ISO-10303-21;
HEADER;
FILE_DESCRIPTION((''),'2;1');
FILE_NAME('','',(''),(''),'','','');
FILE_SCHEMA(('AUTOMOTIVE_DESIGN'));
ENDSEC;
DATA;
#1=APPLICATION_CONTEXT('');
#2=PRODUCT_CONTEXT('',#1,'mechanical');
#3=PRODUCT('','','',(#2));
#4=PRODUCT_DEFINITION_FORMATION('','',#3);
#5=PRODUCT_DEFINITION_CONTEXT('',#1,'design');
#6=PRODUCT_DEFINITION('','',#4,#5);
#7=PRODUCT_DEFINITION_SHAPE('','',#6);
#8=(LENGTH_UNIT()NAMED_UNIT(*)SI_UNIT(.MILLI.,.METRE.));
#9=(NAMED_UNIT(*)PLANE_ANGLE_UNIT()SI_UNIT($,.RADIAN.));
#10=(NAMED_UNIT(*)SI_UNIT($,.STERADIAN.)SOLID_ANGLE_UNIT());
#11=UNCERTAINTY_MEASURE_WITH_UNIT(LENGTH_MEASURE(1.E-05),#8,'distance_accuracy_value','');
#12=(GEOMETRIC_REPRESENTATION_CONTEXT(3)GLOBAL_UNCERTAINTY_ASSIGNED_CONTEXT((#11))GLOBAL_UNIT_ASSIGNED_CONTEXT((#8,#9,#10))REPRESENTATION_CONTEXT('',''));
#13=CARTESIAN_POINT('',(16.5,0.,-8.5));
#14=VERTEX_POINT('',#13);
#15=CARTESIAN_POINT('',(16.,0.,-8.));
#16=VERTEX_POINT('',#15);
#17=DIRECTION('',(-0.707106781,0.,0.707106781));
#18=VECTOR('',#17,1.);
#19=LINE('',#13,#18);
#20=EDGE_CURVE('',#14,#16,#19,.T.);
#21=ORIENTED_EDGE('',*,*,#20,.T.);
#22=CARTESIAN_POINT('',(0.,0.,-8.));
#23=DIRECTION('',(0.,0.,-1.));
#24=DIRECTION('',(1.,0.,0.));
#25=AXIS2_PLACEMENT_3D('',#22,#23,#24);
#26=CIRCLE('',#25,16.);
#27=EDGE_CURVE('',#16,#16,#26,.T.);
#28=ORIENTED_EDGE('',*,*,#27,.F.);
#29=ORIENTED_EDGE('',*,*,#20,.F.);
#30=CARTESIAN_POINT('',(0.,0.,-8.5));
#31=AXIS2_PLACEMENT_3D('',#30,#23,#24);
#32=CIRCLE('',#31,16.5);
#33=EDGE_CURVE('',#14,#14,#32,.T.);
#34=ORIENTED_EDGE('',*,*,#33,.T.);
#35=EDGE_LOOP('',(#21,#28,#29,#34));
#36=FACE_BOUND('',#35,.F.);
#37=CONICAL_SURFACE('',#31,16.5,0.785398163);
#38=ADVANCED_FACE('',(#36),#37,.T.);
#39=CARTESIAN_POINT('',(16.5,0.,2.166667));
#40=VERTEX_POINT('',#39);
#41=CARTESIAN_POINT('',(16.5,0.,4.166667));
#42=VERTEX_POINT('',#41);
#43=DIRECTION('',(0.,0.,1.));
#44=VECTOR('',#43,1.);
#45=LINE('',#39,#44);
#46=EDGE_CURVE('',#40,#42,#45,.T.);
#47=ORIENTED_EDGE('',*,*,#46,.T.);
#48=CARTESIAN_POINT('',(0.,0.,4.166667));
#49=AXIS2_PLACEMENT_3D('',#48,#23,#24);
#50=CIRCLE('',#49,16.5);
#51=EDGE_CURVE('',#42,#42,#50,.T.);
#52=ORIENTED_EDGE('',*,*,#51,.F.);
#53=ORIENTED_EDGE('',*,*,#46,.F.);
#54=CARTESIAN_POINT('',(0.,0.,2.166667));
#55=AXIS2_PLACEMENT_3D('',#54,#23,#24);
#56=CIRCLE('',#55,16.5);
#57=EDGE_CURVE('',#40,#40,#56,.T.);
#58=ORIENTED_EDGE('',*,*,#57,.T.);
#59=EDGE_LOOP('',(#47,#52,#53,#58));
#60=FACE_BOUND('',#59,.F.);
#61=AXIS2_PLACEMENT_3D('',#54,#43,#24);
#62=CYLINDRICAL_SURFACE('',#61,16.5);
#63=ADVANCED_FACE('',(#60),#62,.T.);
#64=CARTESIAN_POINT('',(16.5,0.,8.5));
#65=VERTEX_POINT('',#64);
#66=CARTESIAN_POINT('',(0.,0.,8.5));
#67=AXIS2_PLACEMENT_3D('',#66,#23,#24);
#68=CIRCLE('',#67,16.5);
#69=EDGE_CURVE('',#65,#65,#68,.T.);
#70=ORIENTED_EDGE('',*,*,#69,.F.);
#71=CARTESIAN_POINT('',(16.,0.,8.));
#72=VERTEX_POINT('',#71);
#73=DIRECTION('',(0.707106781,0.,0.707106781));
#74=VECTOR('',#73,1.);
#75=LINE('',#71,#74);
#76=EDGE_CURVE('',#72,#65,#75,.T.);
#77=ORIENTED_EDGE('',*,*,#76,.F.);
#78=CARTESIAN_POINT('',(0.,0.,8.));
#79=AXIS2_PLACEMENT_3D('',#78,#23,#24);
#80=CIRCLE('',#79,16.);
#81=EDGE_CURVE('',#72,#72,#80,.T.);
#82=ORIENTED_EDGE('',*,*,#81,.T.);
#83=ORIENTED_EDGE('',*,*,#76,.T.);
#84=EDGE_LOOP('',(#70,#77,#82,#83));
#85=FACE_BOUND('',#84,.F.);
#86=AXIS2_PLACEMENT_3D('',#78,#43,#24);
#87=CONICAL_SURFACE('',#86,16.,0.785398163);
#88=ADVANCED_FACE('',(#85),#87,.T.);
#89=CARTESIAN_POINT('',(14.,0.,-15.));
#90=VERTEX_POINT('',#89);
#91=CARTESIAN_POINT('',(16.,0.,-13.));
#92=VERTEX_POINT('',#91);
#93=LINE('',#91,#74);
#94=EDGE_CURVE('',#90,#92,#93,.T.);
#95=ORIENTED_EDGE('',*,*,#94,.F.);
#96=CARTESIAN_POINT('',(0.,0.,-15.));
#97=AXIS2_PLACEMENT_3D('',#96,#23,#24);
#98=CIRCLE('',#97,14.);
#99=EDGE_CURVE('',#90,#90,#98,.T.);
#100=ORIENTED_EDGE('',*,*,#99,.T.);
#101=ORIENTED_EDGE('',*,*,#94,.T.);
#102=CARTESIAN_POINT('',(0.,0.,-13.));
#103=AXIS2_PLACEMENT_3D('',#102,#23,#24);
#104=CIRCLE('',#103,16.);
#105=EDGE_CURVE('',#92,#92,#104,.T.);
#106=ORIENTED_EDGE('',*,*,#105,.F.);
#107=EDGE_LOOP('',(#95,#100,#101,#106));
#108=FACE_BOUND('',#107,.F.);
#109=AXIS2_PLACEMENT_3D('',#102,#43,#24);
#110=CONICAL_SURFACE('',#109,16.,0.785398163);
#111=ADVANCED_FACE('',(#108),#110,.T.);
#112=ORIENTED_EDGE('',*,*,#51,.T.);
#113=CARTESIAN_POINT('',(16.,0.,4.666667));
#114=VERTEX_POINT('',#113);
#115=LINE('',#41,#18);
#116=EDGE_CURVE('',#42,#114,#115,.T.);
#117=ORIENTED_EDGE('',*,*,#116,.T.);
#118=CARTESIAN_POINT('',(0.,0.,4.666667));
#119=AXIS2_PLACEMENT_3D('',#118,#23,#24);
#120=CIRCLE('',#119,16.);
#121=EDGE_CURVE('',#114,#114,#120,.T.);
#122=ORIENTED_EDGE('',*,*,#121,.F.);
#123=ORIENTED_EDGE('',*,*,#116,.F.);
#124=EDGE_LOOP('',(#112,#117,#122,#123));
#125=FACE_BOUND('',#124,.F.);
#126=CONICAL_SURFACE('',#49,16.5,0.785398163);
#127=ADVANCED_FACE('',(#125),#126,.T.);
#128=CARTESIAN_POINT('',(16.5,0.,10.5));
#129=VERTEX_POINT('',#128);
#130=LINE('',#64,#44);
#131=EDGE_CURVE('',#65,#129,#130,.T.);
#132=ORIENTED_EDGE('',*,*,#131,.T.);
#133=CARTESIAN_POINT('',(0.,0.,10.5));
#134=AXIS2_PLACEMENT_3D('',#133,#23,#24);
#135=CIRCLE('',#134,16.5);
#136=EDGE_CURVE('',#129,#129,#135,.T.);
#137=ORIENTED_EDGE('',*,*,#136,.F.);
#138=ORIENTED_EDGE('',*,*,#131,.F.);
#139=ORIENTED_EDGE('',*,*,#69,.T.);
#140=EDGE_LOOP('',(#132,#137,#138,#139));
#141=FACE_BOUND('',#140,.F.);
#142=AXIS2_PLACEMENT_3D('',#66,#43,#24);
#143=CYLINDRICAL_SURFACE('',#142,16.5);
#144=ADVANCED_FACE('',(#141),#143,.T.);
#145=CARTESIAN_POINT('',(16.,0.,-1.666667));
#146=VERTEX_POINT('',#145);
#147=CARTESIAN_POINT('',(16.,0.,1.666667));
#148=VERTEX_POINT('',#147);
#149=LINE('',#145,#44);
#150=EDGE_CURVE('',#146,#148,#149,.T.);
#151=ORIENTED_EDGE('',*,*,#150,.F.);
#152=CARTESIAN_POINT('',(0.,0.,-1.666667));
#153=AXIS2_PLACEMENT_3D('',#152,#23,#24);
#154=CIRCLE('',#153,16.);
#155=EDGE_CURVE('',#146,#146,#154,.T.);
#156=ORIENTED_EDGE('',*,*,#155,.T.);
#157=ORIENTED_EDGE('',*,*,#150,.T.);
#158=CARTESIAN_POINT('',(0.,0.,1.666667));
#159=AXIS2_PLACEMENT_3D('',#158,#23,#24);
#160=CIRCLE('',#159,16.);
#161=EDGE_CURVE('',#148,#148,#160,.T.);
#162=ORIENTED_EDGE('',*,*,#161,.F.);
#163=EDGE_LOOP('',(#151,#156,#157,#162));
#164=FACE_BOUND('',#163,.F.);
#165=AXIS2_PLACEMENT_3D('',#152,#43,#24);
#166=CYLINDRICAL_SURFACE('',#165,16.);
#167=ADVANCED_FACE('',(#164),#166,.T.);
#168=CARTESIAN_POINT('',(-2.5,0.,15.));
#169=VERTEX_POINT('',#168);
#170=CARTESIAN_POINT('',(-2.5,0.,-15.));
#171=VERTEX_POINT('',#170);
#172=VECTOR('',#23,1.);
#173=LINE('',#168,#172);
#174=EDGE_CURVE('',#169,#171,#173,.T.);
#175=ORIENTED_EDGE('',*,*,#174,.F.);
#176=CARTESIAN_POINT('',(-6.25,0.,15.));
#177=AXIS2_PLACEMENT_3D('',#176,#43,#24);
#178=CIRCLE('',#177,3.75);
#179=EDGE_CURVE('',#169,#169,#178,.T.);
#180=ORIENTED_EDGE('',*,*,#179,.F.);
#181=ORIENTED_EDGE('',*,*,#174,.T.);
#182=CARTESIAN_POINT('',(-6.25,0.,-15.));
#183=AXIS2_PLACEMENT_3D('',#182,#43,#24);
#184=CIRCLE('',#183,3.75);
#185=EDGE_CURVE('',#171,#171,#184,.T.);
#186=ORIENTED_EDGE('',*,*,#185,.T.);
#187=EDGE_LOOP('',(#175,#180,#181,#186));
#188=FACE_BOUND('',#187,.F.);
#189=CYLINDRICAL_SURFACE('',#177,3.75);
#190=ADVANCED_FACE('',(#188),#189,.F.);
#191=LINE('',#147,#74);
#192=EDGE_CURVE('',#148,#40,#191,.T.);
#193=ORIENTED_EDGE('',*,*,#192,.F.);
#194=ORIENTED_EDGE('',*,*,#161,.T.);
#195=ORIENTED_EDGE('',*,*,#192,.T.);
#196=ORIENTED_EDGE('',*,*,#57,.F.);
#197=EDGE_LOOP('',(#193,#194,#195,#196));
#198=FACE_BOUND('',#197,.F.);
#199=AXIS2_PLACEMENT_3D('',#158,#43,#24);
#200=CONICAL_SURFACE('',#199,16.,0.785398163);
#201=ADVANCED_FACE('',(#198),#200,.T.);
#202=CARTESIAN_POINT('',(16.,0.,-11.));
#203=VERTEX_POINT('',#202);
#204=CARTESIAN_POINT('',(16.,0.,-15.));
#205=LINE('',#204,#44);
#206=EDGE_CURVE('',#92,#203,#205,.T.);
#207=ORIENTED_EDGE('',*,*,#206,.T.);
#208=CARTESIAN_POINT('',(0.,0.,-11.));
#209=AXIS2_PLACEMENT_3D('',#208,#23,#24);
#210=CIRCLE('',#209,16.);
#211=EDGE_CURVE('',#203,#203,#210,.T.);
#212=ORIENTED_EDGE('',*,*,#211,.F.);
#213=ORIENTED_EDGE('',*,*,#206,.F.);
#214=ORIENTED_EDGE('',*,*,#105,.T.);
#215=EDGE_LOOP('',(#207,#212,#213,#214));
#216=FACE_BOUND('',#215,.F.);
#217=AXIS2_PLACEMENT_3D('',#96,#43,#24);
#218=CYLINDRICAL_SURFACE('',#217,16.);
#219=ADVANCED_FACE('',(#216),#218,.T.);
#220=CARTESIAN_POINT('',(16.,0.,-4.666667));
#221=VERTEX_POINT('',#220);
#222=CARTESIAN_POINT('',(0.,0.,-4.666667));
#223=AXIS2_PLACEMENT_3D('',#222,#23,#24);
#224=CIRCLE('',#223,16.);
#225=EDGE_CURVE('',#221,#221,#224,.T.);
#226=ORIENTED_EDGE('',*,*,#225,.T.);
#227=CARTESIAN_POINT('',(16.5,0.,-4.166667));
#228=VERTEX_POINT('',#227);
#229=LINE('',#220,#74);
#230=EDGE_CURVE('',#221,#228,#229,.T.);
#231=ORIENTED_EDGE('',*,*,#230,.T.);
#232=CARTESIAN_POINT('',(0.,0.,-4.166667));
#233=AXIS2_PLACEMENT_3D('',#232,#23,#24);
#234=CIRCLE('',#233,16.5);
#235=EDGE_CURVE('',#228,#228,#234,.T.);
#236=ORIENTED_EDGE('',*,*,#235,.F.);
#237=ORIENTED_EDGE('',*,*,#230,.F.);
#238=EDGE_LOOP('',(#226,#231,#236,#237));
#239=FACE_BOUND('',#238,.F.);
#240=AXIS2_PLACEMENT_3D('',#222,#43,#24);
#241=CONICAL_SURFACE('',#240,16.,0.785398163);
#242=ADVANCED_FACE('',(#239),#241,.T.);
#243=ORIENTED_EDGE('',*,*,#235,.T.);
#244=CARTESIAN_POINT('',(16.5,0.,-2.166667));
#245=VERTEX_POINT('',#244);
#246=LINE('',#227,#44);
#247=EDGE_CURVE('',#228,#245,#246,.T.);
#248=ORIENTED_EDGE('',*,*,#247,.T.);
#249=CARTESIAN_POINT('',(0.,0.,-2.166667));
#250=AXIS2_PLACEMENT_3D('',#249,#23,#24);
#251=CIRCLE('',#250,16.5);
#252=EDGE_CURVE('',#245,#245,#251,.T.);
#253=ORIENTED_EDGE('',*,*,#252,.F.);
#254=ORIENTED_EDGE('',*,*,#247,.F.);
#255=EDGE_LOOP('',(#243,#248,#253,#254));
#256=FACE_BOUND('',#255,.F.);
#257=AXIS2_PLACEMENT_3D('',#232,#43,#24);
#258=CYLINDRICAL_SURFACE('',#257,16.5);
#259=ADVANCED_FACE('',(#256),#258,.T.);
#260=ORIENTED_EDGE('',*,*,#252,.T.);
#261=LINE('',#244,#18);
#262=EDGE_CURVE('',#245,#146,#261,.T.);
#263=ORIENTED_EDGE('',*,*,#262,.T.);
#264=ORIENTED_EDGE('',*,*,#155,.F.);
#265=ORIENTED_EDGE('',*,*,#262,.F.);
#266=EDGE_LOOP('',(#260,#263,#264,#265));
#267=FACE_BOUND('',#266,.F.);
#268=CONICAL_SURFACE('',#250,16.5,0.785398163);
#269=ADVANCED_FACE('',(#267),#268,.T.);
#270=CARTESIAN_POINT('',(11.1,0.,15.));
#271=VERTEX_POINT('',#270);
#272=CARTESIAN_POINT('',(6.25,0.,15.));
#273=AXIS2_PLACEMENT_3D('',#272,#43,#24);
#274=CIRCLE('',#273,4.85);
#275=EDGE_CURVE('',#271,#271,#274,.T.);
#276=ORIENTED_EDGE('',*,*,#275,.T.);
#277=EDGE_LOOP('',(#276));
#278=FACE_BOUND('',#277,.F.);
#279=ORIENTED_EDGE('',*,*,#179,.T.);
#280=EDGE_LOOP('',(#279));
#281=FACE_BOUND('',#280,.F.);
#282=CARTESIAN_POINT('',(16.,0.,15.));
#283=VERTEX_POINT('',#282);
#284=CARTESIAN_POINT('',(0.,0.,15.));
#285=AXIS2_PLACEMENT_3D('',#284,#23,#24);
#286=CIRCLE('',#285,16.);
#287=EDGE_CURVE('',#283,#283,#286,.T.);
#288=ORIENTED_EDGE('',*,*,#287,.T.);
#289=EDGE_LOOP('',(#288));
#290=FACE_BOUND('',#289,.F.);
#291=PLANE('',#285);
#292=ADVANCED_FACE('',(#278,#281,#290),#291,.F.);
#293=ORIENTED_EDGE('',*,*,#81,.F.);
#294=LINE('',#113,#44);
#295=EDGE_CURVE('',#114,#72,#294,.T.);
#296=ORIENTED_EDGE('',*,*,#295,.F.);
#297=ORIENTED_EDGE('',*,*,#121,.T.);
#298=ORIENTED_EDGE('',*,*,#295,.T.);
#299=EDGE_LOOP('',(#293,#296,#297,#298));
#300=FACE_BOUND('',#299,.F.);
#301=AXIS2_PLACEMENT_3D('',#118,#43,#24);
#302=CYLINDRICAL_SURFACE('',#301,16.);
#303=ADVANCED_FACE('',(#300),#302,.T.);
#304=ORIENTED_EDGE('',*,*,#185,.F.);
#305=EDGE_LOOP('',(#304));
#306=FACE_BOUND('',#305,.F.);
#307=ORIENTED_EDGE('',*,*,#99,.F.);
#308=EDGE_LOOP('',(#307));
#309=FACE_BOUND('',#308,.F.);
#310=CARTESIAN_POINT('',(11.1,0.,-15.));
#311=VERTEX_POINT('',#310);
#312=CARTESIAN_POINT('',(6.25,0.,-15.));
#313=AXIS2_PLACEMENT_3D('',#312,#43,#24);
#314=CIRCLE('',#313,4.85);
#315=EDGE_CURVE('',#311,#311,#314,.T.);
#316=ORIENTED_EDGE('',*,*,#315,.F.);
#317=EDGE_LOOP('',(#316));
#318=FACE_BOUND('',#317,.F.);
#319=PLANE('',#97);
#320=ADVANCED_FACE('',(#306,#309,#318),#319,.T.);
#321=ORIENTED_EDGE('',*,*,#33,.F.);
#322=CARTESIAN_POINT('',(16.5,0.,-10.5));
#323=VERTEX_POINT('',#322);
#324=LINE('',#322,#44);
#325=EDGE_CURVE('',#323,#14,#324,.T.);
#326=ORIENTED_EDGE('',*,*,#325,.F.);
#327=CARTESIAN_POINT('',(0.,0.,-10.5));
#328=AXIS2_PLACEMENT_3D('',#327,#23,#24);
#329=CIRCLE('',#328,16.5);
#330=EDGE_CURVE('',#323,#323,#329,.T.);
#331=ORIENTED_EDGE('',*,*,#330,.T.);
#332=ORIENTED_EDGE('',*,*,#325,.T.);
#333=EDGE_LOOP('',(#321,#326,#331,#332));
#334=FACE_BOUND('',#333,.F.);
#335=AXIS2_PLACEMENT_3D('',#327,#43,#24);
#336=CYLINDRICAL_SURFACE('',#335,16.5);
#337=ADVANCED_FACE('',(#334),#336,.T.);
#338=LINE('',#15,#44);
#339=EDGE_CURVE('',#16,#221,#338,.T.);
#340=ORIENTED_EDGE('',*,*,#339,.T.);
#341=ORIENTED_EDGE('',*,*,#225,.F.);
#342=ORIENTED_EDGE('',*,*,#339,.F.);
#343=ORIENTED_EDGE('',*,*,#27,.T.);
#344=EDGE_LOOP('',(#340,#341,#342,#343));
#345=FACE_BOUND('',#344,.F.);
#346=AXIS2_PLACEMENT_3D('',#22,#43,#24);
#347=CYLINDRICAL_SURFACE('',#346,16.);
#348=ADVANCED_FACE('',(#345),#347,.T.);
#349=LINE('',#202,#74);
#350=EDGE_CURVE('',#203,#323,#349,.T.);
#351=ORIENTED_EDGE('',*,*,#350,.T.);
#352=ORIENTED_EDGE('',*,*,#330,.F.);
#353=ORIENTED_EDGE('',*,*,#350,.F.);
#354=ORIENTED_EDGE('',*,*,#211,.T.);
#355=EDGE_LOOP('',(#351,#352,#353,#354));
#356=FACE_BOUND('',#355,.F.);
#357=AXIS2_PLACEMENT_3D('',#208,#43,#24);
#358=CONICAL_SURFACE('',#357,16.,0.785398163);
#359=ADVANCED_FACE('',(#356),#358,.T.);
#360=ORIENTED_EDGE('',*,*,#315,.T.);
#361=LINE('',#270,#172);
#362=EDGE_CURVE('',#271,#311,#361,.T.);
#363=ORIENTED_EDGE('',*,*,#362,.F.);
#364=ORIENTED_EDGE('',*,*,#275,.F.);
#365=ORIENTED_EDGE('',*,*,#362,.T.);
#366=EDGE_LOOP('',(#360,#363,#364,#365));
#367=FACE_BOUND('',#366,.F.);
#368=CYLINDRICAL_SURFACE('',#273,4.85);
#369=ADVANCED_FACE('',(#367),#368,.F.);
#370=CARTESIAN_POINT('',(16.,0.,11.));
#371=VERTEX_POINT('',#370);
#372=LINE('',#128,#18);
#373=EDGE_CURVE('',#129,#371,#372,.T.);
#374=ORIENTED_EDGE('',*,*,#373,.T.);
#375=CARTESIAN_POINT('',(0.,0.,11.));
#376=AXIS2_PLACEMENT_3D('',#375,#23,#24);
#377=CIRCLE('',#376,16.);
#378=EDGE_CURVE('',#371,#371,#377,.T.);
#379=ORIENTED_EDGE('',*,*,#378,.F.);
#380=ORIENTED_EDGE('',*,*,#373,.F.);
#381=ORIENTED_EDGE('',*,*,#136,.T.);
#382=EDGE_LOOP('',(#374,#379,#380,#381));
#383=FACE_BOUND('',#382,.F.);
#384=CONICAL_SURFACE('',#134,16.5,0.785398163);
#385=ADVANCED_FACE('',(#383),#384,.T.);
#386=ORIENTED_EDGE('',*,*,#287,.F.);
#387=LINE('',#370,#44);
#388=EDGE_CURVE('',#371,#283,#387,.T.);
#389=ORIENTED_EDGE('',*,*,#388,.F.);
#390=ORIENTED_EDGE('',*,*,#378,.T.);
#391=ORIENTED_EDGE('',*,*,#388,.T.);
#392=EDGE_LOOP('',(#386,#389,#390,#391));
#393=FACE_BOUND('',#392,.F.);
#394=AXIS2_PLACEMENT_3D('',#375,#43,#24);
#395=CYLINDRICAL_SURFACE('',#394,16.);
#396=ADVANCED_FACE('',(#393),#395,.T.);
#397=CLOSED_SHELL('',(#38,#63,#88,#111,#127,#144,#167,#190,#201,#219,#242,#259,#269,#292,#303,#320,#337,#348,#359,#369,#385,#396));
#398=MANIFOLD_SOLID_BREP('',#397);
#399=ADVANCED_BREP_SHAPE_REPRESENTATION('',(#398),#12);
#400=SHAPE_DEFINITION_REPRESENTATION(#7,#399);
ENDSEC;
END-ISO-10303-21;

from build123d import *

# Parameters (mm, degrees)
F2_R     = 3.75
F2_R_2   = 4.85
F3_DEPTH = 30.001
F4_SIZE  = 2


with BuildPart() as f1:
    # F0 (on Front) → F1 (revolve)
    with BuildSketch(Plane.XZ):
        Polygon((16, 15), (0, 15), (0, -15), (16, -15), (16, -11), (16.5, -10.5), (16.5, -8.5), (16, -8), (16, -4.666667), (16.5, -4.166667), (16.5, -2.166667), (16, -1.666667), (16, 1.666667), (16.5, 2.166667), (16.5, 4.166667), (16, 4.666667), (16, 8), (16.5, 8.5), (16.5, 10.5), (16, 11), align=None)
    revolve(axis=Axis((0, 0, 0), (0, 0, -1)))

    # F2 (on face) → F3 (cut, through all)
    with BuildSketch(Plane.XY.offset(15)):
        with Locations((-6.25, 0)):
            Circle(F2_R)
        with Locations((6.25, 0)):
            Circle(F2_R_2)
    extrude(amount=-F3_DEPTH, mode=Mode.SUBTRACT)

    # F4
    f4_edges = [f1.edges().sort_by_distance(p)[0] for p in [
        (-16, 0, -15),
    ]]
    chamfer(f4_edges, length=F4_SIZE)


solid = f1.part
